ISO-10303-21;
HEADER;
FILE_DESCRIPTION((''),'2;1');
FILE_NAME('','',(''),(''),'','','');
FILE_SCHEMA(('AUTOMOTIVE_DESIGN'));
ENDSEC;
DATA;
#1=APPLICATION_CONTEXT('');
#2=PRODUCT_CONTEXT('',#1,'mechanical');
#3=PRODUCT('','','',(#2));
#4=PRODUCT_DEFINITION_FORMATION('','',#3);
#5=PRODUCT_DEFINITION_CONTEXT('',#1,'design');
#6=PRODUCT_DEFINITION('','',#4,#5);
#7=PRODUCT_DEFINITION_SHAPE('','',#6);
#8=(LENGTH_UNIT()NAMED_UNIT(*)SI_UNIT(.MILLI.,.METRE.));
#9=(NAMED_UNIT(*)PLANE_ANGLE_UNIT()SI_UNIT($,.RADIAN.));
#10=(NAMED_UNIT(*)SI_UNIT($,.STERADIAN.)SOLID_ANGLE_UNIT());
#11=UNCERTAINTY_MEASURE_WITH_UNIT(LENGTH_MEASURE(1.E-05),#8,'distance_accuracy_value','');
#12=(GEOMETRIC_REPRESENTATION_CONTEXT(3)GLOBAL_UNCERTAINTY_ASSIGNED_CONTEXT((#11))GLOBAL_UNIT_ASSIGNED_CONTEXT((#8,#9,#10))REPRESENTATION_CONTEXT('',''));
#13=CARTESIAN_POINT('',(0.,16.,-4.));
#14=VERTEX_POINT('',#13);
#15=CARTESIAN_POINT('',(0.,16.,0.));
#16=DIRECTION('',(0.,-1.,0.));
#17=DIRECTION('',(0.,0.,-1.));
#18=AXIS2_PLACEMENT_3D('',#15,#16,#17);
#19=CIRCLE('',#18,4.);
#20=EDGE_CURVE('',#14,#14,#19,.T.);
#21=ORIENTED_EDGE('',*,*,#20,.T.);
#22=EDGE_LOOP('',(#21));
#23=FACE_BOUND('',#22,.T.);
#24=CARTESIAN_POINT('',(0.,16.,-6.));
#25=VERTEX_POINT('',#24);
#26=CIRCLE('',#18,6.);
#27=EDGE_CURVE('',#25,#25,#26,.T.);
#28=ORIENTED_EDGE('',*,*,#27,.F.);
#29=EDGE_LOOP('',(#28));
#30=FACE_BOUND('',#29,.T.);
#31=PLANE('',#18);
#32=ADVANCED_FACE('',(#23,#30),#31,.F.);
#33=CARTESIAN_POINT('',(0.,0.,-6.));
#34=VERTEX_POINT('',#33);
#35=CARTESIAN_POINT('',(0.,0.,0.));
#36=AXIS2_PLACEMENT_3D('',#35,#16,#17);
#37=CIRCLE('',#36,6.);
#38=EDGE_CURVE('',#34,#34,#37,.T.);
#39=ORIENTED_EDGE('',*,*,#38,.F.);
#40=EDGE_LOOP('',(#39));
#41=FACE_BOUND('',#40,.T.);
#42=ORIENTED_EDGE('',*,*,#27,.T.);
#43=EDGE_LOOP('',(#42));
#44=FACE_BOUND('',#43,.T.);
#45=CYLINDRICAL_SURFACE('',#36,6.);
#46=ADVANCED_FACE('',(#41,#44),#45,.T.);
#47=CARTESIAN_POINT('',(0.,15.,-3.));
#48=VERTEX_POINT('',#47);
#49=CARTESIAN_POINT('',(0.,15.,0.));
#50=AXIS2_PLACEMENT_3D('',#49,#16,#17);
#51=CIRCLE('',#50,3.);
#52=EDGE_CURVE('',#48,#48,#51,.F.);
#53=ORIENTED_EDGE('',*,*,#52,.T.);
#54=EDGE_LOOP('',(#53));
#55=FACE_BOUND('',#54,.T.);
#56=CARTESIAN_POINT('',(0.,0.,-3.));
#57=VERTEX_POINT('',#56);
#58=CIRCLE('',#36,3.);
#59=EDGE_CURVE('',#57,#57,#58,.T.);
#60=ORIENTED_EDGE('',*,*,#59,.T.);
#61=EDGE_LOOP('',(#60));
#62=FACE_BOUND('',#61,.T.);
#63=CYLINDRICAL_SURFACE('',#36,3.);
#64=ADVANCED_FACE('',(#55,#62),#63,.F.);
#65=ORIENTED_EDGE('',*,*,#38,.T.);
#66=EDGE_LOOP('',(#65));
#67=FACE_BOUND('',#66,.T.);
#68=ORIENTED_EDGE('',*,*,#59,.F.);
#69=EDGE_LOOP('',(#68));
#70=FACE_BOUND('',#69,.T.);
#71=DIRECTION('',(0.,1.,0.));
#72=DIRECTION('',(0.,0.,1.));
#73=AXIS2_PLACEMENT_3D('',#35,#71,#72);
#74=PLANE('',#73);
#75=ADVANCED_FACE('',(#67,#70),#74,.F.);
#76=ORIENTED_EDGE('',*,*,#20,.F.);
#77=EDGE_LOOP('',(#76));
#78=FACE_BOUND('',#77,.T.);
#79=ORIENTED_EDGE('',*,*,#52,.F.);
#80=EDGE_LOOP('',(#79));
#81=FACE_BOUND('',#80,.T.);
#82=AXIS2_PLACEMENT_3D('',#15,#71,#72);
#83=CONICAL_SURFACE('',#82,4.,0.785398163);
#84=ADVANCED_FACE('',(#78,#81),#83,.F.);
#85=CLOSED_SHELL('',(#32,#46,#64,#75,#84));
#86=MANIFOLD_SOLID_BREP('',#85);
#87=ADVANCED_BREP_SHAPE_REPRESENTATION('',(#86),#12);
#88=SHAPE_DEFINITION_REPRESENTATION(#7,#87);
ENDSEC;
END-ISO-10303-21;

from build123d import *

# Parameters (mm, degrees)
SKETCH1_W     = 3
SKETCH1_H     = 16
CHAMFER1_SIZE = 1


with BuildPart() as part:
    # Sketch1 → Revolve1 (revolve)
    with BuildSketch(Plane.XY, mode=Mode.PRIVATE) as revolve1_sk:
        with Locations((4.5, 8)):
            Rectangle(SKETCH1_W, SKETCH1_H)
    revolve(revolve1_sk.sketch.rotate(Axis((0, 0, 0), (0, 1, 0)), 90), axis=Axis((0, 0, 0), (0, 1, 0)))

    # Chamfer1
    chamfer1_edges = [part.edges().sort_by_distance(p)[0] for p in [
        (0, 16, 3),
    ]]
    chamfer(chamfer1_edges, length=CHAMFER1_SIZE)


solid = part.part
